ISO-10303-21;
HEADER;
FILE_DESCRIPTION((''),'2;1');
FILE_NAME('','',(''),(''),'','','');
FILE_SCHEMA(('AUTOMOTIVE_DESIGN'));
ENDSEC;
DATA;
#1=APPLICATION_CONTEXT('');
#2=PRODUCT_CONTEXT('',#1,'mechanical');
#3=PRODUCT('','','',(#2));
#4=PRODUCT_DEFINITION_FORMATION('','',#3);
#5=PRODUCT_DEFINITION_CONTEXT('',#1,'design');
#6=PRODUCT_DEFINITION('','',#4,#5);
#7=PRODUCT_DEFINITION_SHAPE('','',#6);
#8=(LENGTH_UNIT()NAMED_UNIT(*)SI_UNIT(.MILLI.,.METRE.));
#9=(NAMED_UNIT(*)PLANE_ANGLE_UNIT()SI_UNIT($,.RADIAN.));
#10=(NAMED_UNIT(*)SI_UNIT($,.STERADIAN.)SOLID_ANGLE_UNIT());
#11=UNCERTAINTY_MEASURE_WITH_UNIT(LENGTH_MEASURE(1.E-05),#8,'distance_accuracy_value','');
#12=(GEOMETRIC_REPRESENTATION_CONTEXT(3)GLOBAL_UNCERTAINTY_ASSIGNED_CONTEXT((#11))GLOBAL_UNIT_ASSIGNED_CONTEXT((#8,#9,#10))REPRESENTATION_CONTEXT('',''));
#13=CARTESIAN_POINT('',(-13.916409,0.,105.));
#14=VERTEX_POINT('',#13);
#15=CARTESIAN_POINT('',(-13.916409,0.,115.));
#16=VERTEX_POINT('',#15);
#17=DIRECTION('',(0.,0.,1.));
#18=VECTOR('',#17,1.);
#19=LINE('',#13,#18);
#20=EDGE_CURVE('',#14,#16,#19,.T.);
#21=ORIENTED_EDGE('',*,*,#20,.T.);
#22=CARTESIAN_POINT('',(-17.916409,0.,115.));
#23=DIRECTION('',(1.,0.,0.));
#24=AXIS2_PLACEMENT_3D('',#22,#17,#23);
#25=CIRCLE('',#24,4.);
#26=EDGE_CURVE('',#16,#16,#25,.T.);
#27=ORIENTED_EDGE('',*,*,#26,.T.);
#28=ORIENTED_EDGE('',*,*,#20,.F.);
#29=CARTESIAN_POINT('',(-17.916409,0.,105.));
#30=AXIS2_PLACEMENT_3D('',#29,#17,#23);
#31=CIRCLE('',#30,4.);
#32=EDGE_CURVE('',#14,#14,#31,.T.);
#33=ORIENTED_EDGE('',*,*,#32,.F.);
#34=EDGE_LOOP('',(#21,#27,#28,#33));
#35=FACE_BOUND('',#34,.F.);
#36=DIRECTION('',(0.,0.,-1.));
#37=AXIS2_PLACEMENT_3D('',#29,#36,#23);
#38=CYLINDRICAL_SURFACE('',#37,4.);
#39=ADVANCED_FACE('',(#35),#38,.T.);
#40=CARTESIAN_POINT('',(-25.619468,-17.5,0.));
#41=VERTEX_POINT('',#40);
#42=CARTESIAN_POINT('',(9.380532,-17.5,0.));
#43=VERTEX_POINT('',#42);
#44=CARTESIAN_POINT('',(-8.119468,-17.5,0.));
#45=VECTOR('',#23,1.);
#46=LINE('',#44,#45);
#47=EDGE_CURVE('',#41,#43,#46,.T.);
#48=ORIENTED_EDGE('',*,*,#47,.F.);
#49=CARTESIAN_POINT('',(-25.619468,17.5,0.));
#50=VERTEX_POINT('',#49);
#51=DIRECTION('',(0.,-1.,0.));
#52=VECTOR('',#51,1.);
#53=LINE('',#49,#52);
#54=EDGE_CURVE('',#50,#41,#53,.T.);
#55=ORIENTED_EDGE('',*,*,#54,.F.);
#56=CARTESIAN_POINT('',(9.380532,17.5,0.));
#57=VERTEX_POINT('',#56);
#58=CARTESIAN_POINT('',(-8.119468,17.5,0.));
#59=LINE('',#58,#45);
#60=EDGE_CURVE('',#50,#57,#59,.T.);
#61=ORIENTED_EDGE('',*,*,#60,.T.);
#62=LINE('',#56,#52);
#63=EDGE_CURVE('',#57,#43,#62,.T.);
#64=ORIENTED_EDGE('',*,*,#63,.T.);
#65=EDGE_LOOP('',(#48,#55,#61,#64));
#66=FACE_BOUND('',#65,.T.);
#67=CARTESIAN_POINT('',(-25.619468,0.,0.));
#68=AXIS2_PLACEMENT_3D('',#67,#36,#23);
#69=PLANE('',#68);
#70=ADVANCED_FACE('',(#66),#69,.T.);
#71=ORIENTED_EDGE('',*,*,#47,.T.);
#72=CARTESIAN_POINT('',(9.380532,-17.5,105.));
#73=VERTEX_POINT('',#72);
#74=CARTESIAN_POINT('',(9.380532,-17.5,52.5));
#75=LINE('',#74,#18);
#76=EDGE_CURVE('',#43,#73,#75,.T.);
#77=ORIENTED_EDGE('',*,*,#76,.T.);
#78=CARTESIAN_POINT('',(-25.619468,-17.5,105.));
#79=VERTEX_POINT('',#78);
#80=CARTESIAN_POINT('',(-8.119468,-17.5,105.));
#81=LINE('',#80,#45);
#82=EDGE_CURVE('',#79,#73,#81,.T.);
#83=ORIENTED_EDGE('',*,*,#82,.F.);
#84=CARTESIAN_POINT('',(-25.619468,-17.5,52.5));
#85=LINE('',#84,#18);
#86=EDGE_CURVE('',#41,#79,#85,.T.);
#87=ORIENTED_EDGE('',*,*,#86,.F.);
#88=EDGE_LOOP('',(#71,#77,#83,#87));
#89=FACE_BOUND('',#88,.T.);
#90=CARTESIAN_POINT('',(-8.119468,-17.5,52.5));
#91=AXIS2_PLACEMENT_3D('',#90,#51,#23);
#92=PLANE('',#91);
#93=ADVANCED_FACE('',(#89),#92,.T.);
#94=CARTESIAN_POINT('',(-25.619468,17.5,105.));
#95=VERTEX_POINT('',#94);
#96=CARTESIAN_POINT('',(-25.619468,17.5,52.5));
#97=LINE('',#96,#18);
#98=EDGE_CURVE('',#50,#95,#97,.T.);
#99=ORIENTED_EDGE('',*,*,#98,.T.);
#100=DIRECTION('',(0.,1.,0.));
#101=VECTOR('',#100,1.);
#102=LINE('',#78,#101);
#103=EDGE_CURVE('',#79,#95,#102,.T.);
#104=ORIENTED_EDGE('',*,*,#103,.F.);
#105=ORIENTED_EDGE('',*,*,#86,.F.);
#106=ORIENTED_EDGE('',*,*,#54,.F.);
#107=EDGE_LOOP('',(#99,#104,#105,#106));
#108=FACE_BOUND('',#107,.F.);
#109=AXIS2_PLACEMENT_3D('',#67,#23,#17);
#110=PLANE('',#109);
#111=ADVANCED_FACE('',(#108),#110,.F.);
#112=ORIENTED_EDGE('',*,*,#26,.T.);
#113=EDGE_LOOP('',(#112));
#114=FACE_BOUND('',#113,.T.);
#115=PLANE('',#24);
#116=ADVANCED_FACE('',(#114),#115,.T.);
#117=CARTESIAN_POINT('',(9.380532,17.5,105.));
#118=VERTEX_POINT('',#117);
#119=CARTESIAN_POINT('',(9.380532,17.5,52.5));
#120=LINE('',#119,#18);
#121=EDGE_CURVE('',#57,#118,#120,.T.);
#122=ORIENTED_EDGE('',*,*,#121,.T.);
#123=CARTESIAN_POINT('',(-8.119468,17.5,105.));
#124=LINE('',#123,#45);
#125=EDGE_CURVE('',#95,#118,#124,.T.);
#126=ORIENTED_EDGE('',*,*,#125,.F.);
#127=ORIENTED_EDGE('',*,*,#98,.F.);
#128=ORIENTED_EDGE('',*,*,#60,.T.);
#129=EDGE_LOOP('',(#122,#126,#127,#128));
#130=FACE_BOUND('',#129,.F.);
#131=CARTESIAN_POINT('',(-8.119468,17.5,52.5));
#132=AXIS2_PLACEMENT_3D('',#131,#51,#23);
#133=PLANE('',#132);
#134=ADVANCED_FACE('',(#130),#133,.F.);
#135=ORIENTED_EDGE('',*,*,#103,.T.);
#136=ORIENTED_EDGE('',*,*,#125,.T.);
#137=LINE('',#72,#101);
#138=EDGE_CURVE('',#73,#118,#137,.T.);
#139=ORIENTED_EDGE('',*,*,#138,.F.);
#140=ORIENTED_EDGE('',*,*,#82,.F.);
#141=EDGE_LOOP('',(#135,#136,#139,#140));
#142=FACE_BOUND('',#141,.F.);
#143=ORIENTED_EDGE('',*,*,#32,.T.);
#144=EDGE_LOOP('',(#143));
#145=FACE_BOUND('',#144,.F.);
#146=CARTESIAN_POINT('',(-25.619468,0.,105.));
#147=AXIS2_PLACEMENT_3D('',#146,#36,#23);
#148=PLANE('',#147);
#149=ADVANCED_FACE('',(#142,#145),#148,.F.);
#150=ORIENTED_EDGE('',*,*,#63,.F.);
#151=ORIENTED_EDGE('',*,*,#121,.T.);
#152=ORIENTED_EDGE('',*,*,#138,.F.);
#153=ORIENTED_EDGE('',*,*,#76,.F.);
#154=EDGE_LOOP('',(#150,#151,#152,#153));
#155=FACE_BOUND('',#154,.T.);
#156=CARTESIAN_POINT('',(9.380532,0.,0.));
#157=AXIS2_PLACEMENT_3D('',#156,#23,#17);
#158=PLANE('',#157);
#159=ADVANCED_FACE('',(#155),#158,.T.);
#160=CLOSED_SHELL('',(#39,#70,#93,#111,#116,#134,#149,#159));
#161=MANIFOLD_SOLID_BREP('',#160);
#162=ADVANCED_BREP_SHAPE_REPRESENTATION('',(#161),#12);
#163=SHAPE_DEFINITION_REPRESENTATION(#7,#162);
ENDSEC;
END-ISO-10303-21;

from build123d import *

# Parameters (mm, degrees)
F0_W     = 35
F0_H     = 105
F1_DEPTH = 17.5
F2_R     = 4
F3_DEPTH = 10


with BuildPart() as f1:
    # F0 (on Front) → F1 (new body, symmetric)
    with BuildSketch(Plane.XZ):
        with Locations((-8.1194676842, 52.5)):
            Rectangle(F0_W, F0_H)
    extrude(amount=F1_DEPTH, both=True)

    # F2 (on face) → F3 (join)
    with BuildSketch(Plane.XY.offset(105)):
        with Locations((-17.9164092988, 0)):
            Circle(F2_R)
    extrude(amount=F3_DEPTH)


solid = f1.part
